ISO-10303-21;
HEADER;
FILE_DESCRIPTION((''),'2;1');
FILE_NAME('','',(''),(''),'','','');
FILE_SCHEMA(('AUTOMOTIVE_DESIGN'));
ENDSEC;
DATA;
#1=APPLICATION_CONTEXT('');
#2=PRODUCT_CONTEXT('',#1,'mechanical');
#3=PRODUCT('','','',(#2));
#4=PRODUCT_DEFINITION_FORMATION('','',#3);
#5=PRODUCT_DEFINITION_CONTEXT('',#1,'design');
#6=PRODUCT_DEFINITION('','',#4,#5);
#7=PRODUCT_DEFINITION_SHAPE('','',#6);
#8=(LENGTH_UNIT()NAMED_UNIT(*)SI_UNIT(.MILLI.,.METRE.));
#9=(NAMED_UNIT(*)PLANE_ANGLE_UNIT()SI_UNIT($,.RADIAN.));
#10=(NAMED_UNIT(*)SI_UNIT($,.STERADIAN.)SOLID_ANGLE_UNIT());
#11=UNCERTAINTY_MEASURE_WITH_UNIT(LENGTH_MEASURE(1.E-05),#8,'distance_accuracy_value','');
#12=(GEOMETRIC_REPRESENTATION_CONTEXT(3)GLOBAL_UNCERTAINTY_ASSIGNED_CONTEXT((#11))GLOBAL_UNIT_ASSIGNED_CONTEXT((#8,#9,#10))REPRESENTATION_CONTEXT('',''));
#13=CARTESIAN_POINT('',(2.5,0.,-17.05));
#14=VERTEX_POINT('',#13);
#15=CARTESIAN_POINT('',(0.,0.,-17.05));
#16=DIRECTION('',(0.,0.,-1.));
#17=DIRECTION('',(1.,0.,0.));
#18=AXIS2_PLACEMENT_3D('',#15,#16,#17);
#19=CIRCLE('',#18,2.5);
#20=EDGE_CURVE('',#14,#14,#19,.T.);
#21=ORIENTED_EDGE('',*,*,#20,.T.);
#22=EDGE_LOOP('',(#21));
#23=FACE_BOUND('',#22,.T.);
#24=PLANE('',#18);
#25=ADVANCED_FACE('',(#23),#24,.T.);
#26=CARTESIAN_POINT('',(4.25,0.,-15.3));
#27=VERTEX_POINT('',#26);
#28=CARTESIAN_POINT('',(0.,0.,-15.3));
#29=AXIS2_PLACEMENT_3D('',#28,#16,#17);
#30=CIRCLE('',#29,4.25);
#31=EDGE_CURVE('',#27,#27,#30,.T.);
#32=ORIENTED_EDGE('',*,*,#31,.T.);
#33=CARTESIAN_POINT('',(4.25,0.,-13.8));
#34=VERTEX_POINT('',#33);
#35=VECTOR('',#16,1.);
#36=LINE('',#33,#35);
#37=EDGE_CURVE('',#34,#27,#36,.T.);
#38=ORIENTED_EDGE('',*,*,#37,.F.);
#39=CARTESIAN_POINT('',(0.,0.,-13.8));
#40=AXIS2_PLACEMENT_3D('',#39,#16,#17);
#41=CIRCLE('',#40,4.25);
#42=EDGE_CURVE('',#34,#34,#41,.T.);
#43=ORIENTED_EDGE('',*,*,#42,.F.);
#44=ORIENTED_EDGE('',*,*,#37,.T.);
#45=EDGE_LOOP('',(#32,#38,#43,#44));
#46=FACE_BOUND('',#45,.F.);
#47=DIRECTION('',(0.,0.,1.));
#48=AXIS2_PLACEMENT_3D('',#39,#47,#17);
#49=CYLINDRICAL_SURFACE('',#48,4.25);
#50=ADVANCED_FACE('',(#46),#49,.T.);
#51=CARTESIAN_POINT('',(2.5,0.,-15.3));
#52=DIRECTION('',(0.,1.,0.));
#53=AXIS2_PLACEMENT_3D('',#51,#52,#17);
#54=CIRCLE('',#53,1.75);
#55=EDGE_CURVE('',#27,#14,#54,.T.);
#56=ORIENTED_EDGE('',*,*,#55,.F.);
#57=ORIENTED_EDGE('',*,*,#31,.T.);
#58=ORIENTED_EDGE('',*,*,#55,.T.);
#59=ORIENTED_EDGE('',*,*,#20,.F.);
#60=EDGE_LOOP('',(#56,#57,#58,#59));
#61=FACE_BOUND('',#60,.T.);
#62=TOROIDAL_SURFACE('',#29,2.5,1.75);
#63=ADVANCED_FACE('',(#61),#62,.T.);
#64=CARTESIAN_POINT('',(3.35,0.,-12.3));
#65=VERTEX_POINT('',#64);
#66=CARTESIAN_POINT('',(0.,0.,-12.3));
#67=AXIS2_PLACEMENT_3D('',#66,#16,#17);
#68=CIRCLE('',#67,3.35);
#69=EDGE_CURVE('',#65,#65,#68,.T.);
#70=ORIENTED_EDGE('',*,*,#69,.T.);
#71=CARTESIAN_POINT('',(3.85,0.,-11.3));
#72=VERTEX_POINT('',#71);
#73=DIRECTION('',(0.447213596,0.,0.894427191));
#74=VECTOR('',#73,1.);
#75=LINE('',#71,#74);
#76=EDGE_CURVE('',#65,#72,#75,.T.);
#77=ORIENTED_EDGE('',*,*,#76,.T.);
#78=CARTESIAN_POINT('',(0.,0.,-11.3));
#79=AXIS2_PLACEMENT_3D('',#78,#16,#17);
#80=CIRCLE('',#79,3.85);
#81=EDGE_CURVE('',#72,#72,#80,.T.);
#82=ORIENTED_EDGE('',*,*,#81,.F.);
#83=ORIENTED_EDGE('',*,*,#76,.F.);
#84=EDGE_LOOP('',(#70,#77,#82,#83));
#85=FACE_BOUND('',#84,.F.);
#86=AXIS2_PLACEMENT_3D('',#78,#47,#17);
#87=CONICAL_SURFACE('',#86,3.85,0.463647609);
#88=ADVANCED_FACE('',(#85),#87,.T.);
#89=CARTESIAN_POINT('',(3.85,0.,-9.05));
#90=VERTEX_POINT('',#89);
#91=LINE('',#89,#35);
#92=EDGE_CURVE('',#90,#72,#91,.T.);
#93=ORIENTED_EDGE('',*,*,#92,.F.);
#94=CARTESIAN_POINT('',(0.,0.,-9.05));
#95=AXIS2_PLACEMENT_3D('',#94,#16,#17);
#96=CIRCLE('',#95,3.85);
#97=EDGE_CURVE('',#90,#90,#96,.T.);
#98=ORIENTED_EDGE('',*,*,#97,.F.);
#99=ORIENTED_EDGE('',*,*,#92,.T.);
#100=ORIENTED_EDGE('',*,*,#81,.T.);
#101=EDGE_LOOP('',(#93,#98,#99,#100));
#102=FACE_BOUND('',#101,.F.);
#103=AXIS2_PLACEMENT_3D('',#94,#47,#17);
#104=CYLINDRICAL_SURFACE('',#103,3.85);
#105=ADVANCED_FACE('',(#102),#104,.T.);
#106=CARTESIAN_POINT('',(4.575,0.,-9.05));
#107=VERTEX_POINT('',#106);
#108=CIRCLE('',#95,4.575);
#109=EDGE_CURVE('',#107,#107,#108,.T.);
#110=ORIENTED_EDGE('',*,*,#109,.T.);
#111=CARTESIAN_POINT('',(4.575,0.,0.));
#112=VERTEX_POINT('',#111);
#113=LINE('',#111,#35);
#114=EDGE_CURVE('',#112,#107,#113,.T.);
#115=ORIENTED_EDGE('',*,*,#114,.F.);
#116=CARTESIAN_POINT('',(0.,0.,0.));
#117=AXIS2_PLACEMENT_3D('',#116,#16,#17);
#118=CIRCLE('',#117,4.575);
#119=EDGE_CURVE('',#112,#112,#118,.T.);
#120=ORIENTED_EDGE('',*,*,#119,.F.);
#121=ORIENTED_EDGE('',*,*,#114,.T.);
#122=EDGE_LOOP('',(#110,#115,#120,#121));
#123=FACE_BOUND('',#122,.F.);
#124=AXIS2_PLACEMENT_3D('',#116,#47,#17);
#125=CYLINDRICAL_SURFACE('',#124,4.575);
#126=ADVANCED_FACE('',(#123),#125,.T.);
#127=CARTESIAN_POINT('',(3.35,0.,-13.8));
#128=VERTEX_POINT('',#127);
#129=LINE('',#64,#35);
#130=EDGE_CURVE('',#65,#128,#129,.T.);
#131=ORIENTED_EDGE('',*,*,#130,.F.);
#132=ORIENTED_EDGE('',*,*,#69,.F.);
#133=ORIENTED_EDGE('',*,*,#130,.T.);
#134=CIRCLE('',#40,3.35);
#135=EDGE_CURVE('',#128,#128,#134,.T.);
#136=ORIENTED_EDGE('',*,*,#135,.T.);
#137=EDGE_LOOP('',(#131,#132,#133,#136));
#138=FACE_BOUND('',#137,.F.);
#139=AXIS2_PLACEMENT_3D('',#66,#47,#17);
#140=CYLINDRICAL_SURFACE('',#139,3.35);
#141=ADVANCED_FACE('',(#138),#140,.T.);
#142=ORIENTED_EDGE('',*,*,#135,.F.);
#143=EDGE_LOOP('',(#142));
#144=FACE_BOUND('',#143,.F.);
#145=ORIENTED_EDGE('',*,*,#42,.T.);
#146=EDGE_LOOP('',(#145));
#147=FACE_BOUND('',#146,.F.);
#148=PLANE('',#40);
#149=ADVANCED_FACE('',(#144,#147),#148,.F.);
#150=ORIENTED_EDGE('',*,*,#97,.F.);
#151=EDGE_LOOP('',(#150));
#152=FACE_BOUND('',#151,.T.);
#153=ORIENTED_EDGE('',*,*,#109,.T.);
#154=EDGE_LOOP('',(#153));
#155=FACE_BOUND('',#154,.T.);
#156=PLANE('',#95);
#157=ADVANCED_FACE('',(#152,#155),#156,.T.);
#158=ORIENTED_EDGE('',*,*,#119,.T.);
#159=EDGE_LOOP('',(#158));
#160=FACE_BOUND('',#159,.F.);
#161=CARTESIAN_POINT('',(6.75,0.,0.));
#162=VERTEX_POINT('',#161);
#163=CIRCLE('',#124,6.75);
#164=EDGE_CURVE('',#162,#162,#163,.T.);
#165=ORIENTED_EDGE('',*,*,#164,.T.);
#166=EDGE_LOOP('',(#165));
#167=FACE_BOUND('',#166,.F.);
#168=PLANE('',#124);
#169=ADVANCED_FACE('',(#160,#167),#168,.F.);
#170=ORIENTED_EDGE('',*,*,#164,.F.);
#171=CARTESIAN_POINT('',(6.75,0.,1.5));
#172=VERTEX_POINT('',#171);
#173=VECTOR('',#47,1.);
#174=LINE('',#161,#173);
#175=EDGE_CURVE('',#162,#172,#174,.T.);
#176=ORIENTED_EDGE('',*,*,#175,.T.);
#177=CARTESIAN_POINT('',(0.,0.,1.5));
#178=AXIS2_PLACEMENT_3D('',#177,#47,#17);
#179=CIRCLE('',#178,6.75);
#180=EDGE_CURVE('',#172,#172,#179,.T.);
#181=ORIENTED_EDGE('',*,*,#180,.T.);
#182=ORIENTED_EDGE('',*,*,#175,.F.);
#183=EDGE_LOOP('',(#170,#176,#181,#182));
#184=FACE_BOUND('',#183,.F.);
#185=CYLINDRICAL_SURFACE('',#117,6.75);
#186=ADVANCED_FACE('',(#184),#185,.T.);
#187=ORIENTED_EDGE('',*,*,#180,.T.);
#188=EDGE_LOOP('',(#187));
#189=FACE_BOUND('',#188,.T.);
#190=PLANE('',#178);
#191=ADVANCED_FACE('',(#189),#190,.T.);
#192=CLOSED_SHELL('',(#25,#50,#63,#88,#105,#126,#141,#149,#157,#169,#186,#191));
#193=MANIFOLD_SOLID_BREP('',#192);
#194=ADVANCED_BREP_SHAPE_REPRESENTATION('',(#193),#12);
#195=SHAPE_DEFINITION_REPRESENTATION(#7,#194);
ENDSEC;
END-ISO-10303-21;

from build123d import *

# Parameters (mm, degrees)
F0_R      = 6.75
F1_DEPTH  = 1.5
F2_R      = 4.575
F3_DEPTH  = 9.05
F4_R      = 3.85
F5_DEPTH  = 3.25
F6_SIZE2  = 1
F6_SIZE   = 0.5
F7_R      = 3.35
F8_DEPTH  = 1.5
F9_R      = 4.25
F10_DEPTH = 3.25
F11_R     = 1.75


with BuildPart() as f1:
    # F0 (on Top) → F1 (new body)
    with BuildSketch(Plane.XY):
        Circle(F0_R)
    extrude(amount=F1_DEPTH)

    # F2 (on face) → F3 (join)
    with BuildSketch(Plane(origin=(0, 0, 0), x_dir=(1, 0, 0), z_dir=(0, 0, -1))):
        Circle(F2_R)
    extrude(amount=F3_DEPTH)

    # F4 (on face) → F5 (join)
    with BuildSketch(Plane(origin=(0, 0, -9.05), x_dir=(1, 0, 0), z_dir=(0, 0, -1))):
        Circle(F4_R)
    extrude(amount=F5_DEPTH)

    # F6
    f6_edges = [f1.edges().sort_by_distance(p)[0] for p in [
        (-3.85, 0, -12.3),
    ]]
    f6_side = f1.faces().sort_by_distance((0, 0, -12.3))[0]
    chamfer(f6_edges, length=F6_SIZE, length2=F6_SIZE2, reference=f6_side)

    # F7 (on face) → F8 (join)
    with BuildSketch(Plane(origin=(0, 0, -12.3), x_dir=(1, 0, 0), z_dir=(0, 0, -1))):
        Circle(F7_R)
    extrude(amount=F8_DEPTH)

    # F9 (on face) → F10 (join)
    with BuildSketch(Plane(origin=(0, 0, -13.8), x_dir=(1, 0, 0), z_dir=(0, 0, -1))):
        Circle(F9_R)
    extrude(amount=F10_DEPTH)

    # F11
    f11_edges = [f1.edges().sort_by_distance(p)[0] for p in [
        (-4.25, 0, -17.05),
    ]]
    fillet(f11_edges, radius=F11_R)


solid = f1.part
